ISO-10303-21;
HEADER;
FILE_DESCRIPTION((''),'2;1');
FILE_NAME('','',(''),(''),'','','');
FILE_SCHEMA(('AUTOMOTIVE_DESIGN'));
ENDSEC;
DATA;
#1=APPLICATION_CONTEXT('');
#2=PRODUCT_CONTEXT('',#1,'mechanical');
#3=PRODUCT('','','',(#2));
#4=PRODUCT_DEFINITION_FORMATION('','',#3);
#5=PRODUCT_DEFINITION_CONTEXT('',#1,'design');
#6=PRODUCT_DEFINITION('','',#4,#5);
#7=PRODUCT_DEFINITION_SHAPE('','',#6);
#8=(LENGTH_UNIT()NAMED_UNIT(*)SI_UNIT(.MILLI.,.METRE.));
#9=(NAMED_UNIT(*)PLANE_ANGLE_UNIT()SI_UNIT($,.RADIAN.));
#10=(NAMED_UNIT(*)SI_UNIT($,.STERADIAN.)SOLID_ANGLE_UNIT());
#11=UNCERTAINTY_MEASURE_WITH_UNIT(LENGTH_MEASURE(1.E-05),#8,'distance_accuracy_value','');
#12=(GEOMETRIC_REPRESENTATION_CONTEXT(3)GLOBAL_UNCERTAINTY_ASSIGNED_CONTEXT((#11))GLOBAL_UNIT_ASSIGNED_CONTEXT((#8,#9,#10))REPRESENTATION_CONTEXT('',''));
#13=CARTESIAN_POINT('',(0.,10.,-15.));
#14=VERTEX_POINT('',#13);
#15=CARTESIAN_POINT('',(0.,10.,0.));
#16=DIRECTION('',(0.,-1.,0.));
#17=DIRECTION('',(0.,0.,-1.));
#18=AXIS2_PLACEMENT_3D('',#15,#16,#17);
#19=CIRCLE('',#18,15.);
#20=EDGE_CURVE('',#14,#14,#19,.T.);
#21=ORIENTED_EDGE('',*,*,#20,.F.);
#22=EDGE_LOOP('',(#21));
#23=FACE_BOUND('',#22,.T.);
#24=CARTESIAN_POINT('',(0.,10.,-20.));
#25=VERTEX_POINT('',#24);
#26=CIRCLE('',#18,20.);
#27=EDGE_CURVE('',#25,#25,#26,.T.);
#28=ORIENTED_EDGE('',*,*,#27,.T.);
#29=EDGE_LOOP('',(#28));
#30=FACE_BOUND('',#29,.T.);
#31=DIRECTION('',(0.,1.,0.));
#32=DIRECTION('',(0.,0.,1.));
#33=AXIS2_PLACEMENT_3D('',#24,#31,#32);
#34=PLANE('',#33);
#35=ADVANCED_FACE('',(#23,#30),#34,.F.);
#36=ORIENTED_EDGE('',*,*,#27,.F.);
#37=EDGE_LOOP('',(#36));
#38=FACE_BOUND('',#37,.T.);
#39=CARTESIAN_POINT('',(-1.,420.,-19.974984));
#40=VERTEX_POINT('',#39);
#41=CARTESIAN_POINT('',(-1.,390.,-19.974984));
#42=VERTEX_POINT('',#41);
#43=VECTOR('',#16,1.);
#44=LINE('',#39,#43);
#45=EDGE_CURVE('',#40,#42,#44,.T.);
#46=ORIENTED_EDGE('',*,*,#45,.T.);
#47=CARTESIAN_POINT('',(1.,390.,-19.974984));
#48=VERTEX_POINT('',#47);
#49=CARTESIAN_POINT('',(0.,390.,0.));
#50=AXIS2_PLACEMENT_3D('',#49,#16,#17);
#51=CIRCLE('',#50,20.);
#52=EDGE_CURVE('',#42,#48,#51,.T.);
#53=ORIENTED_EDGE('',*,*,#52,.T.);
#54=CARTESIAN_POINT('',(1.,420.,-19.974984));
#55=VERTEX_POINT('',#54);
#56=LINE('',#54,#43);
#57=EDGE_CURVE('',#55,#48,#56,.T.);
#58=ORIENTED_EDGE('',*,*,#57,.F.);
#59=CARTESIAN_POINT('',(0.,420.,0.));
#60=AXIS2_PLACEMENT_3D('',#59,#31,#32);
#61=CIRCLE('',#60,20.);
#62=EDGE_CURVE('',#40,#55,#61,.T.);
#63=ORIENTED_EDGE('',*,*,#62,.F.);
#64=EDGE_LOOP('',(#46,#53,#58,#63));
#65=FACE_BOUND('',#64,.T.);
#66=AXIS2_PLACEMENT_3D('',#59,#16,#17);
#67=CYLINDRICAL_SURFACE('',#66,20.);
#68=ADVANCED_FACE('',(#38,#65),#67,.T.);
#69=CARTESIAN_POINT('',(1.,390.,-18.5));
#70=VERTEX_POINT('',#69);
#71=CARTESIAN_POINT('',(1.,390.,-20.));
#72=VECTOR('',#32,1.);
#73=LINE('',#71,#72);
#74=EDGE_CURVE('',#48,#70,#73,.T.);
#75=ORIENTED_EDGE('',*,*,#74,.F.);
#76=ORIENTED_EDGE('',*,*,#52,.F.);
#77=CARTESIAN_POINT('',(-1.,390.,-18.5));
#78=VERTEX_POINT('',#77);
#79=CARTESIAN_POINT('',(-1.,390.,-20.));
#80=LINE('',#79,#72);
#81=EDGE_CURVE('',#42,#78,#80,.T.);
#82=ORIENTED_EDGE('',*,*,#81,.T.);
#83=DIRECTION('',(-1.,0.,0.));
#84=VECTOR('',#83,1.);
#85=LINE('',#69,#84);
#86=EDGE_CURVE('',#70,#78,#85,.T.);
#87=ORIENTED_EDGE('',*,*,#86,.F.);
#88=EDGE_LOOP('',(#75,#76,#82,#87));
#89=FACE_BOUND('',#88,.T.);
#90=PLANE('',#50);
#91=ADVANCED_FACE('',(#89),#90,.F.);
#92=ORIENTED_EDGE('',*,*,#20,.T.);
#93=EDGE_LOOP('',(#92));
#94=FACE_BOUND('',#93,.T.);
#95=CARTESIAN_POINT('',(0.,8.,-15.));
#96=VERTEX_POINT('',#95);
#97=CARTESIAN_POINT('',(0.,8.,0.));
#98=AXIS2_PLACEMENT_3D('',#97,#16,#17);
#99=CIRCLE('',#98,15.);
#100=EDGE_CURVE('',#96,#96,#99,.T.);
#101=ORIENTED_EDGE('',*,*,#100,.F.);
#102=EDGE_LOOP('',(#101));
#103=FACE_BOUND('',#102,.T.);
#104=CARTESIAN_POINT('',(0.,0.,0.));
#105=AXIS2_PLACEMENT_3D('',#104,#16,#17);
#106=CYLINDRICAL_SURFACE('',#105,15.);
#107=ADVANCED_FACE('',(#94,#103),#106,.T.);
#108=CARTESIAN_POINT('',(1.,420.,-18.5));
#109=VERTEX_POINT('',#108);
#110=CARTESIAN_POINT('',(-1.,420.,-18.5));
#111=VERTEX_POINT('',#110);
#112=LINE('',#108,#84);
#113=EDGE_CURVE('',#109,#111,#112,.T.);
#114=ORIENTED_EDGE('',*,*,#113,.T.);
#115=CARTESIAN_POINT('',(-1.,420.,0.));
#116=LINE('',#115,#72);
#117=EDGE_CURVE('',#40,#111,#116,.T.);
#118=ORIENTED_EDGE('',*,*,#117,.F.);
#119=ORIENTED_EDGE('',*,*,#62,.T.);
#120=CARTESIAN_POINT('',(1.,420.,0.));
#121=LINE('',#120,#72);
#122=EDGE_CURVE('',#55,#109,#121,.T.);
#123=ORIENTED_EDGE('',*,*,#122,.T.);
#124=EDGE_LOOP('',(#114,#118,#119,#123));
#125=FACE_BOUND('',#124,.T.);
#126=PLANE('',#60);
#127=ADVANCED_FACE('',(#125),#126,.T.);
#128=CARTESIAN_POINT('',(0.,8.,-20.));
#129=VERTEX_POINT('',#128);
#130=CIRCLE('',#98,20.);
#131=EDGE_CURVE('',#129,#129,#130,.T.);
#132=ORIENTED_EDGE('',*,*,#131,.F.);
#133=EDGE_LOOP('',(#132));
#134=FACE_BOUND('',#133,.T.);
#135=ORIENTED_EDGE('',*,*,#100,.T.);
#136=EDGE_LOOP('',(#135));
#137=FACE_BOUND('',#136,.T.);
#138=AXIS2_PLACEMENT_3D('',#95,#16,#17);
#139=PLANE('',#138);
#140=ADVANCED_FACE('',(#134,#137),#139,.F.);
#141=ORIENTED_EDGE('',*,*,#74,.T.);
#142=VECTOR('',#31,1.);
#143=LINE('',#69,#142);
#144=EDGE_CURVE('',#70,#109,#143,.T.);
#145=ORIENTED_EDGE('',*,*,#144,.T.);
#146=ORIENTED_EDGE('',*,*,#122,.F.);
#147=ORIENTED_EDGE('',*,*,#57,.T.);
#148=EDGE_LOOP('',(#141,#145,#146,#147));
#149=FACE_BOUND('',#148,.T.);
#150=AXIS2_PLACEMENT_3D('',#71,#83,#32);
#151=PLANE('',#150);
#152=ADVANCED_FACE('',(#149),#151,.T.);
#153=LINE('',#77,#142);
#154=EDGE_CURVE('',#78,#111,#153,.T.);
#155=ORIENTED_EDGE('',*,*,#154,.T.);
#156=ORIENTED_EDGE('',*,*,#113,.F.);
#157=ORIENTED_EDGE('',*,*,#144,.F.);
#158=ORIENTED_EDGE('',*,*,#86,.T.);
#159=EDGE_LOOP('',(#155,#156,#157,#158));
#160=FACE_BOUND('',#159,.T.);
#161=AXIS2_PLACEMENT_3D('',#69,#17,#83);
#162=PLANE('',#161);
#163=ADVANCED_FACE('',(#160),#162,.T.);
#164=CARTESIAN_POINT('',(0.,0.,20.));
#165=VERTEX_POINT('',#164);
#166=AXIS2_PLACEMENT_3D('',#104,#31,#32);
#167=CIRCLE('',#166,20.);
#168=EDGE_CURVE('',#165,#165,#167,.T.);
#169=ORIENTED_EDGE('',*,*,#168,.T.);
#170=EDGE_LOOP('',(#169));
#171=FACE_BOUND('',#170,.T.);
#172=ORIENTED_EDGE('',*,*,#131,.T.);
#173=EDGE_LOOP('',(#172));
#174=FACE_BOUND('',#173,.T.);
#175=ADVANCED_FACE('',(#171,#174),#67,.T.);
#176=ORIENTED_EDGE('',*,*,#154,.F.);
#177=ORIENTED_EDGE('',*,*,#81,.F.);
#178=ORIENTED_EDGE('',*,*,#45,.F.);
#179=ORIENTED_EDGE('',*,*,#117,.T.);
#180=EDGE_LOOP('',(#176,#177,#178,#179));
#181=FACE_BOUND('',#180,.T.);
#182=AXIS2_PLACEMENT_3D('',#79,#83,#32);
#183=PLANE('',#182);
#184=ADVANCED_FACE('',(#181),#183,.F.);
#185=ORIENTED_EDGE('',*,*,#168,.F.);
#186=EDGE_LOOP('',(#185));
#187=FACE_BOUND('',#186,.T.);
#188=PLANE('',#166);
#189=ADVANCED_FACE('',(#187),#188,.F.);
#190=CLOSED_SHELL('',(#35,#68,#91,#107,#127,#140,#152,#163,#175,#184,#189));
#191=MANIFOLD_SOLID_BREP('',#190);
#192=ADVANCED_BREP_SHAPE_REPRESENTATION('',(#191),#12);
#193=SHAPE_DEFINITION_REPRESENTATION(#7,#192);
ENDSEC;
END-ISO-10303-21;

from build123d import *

# Parameters (mm, degrees)
SKETCH2_R           = 20
BOSS_EXTRUDE1_DEPTH = 420
SKETCH3_W           = 5
SKETCH3_H           = 2
SKETCH4_W           = 2
SKETCH4_H           = 1.5
CUT_EXTRUDE2_DEPTH  = 30


with BuildPart() as part:
    # Sketch2 → Boss-Extrude1 (new body)
    with BuildSketch(Plane(origin=(0, 0, 0), x_dir=(1, 0, 0), z_dir=(0, 1, 0))):
        Circle(SKETCH2_R)
    extrude(amount=BOSS_EXTRUDE1_DEPTH)

    # Sketch3 → Cut-Revolve1 (revolve, cut)
    with BuildSketch(Plane(origin=(0, 0, 0), x_dir=(0, 0, -1), z_dir=(1, 0, 0))):
        with Locations((17.5, 9)):
            Rectangle(SKETCH3_W, SKETCH3_H)
    revolve(axis=Axis((0, 0, 0), (0, 1, 0)), mode=Mode.SUBTRACT)

    # Sketch4 → Cut-Extrude2 (cut)
    with BuildSketch(Plane(origin=(0, 420, 0), x_dir=(1, 0, 0), z_dir=(0, 1, 0))):
        with Locations((0, 19.25)):
            Rectangle(SKETCH4_W, SKETCH4_H)
    extrude(amount=-CUT_EXTRUDE2_DEPTH, mode=Mode.SUBTRACT)


solid = part.part
